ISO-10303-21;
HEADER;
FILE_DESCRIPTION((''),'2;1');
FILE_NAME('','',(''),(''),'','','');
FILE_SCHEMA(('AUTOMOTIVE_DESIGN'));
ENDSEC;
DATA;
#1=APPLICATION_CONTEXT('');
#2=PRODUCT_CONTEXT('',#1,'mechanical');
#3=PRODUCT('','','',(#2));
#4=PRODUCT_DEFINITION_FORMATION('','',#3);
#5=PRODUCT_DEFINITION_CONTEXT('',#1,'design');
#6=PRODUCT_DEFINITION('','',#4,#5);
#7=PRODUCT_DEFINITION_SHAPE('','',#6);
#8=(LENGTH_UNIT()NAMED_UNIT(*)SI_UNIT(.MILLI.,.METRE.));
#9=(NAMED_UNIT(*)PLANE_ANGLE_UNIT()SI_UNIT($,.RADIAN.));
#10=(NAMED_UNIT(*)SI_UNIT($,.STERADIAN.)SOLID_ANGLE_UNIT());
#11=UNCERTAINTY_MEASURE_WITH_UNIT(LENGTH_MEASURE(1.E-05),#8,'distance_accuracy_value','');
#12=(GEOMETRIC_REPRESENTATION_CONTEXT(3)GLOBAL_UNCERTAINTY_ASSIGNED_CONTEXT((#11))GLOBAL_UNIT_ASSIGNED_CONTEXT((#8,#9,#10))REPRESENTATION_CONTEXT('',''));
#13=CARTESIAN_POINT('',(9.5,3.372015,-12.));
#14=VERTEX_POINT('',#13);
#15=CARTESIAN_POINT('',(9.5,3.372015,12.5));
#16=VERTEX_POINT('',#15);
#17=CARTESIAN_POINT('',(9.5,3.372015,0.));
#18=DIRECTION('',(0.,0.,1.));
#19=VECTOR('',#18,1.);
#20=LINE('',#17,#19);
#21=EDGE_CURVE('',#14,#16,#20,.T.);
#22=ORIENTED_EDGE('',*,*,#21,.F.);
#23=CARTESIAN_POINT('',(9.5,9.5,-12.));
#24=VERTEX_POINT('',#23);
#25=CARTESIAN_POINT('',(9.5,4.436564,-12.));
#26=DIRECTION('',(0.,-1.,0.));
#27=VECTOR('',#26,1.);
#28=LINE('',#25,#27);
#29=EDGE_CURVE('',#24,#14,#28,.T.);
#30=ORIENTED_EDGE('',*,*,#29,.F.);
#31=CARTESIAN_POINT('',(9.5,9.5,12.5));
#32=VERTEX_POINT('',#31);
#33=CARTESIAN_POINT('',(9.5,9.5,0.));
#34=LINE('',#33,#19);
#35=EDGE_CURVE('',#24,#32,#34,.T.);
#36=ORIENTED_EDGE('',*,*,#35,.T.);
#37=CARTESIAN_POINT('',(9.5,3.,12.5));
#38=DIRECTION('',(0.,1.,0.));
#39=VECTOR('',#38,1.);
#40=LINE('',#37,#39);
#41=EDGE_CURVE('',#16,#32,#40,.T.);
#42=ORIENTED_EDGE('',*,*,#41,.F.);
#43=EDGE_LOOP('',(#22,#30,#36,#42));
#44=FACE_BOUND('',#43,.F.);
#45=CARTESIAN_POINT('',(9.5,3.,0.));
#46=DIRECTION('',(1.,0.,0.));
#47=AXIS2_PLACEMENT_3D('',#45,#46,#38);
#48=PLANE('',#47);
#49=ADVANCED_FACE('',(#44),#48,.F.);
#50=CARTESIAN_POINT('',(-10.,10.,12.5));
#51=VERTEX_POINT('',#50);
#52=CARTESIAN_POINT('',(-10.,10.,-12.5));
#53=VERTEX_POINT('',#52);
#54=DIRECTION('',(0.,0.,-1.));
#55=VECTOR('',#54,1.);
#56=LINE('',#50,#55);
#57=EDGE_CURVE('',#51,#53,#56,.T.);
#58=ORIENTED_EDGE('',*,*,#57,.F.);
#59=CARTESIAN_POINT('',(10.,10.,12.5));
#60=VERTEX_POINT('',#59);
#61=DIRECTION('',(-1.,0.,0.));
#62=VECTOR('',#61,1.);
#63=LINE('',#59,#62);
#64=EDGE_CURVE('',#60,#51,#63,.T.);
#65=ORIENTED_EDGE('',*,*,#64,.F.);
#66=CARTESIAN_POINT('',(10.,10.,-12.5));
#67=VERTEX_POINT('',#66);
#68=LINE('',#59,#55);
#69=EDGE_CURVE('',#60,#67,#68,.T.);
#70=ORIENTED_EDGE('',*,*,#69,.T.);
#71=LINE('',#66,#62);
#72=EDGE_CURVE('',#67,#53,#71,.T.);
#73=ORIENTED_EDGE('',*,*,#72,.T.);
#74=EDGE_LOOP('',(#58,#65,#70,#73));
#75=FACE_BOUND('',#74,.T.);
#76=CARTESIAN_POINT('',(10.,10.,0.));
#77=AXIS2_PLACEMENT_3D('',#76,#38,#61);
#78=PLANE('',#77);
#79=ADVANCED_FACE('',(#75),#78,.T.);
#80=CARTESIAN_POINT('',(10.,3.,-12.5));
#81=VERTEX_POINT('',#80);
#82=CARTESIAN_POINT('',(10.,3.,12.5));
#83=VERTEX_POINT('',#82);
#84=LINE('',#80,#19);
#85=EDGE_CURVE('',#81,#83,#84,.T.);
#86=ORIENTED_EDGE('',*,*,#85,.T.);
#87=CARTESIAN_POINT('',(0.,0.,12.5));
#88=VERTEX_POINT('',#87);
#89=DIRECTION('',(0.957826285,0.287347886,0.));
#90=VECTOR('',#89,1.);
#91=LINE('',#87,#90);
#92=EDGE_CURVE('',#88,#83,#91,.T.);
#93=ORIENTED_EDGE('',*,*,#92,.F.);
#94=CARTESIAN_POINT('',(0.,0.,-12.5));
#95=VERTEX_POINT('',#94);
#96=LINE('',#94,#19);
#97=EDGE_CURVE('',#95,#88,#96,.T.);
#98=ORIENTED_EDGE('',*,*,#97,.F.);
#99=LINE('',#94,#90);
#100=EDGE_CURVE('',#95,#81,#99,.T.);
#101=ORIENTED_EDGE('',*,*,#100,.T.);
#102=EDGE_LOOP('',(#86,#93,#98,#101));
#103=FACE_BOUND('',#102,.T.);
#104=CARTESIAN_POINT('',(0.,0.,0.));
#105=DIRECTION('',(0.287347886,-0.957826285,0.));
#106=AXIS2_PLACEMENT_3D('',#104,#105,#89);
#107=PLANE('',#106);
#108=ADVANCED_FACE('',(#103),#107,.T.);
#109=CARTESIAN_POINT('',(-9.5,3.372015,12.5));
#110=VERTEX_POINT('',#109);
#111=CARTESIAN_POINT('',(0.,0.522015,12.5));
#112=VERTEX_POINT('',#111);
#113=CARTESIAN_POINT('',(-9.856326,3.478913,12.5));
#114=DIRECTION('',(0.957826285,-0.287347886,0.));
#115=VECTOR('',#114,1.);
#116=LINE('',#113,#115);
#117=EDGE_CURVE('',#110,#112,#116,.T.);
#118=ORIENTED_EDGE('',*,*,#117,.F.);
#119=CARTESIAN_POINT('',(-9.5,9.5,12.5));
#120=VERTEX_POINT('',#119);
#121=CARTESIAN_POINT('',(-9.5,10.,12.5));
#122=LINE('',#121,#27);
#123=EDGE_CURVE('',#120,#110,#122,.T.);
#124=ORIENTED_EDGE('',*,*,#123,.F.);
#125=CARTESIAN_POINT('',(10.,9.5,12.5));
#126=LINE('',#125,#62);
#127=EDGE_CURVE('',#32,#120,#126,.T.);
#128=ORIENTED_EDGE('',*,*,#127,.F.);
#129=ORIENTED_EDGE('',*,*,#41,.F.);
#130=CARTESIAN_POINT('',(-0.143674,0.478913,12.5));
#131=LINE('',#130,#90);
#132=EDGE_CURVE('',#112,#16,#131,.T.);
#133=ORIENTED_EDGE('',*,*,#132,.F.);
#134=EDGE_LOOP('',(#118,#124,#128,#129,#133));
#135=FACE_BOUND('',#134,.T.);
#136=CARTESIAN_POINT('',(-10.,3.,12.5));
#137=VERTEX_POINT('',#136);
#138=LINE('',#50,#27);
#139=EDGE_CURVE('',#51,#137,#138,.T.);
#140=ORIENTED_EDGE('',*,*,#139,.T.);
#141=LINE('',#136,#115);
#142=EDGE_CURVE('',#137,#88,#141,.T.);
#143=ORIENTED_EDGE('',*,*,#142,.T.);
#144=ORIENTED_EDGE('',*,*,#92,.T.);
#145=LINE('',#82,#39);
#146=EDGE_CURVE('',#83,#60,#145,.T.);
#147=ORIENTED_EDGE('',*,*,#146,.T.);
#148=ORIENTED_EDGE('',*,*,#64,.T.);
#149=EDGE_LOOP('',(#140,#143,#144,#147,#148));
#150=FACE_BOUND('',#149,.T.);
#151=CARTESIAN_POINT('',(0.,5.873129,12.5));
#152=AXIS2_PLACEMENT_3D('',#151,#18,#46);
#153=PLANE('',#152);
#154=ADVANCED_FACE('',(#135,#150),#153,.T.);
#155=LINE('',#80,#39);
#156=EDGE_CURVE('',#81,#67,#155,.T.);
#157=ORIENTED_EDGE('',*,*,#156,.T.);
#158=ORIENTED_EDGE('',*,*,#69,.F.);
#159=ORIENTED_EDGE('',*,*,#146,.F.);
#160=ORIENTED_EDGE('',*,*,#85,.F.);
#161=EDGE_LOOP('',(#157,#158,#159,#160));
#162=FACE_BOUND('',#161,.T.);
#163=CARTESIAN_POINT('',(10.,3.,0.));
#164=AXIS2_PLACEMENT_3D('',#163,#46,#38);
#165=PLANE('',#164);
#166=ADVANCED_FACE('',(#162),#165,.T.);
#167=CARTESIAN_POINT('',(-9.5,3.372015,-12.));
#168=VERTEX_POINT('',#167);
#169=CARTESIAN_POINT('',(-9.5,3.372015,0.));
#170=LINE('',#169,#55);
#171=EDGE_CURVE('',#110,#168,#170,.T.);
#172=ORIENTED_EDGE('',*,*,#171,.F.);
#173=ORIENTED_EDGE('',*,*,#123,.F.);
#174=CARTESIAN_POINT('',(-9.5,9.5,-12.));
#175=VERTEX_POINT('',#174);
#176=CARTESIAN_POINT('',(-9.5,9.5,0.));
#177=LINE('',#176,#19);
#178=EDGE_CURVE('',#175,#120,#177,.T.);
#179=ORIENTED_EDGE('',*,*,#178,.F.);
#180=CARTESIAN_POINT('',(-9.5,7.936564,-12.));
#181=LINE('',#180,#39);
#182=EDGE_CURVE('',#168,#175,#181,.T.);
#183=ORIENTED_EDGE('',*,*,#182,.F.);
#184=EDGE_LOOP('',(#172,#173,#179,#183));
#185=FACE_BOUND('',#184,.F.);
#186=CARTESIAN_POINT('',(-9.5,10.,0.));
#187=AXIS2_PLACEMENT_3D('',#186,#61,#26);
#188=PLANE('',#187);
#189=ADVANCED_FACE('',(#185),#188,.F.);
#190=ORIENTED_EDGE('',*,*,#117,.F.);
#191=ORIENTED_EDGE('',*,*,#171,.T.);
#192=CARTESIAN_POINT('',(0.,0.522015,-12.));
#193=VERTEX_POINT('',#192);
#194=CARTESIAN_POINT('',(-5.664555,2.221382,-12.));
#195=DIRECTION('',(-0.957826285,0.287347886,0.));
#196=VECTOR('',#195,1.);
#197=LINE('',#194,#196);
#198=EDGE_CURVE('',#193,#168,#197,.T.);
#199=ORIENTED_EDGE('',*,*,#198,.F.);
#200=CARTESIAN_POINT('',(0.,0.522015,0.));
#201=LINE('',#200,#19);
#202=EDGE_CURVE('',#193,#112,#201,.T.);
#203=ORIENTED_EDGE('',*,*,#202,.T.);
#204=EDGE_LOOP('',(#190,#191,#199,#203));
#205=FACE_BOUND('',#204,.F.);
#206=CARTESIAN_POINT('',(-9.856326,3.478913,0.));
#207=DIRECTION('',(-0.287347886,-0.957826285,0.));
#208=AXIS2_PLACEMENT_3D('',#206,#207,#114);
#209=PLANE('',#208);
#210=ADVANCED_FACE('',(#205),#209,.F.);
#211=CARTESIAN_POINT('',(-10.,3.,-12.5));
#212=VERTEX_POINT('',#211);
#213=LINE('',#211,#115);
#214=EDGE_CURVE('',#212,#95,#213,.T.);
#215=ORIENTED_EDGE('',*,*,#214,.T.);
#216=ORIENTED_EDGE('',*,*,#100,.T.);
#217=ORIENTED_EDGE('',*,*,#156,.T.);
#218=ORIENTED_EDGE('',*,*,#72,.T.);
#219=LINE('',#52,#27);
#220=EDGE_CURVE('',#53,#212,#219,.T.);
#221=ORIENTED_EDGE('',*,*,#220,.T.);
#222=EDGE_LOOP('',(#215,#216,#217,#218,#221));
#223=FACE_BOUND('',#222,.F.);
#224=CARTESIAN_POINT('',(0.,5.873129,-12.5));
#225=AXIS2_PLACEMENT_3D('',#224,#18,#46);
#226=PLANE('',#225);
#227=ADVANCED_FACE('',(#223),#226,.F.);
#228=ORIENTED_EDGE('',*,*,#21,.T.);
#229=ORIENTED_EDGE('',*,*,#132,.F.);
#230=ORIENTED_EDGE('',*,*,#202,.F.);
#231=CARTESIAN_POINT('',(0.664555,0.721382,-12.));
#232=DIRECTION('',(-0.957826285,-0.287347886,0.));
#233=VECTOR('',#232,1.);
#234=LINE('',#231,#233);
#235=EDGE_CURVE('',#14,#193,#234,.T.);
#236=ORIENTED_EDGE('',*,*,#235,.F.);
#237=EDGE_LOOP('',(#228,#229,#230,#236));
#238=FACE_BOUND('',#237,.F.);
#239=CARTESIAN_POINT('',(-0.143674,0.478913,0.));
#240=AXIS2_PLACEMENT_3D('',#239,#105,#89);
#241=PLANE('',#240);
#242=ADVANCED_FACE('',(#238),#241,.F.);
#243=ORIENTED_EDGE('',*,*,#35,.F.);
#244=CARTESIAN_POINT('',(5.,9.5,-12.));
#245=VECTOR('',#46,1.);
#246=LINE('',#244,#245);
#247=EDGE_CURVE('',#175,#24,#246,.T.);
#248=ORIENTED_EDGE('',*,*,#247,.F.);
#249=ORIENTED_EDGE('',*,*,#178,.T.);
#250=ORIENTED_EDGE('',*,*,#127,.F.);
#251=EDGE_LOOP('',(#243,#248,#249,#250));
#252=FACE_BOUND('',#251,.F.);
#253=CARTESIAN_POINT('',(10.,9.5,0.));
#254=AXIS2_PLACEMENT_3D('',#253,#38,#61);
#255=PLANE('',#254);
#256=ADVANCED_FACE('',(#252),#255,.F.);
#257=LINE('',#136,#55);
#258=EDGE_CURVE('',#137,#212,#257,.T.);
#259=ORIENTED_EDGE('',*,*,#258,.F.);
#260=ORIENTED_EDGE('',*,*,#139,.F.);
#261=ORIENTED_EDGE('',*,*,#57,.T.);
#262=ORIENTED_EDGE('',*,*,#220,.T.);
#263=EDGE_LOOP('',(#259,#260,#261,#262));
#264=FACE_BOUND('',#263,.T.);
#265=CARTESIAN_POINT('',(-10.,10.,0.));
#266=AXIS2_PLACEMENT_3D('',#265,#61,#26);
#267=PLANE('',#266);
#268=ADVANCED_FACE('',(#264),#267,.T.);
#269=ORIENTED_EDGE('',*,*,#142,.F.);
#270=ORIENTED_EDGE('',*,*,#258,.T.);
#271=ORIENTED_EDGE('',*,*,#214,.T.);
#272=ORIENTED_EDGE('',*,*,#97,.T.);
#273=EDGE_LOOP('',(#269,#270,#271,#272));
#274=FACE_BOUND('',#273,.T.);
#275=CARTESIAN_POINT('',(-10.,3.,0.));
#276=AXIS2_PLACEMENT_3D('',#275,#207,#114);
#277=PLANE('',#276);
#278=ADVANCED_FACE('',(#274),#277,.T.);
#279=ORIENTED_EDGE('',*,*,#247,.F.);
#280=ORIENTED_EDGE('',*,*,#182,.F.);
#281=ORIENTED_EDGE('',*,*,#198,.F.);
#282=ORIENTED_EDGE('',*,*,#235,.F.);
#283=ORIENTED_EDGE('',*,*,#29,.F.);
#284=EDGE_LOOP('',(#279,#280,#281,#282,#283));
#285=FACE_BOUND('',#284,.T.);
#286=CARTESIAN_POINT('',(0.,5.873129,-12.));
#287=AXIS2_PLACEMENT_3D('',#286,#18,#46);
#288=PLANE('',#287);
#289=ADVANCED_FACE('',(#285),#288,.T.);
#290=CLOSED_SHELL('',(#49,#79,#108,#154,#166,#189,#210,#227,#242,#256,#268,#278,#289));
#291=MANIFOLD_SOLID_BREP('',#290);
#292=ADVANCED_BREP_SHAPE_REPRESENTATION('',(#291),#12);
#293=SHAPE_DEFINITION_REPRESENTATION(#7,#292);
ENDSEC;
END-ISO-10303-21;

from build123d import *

# Parameters (mm, degrees)
F1_DEPTH = 12.5
F2_T     = -0.5


with BuildPart() as f1:
    # F0 (on Top) → F1 (new body, symmetric)
    with BuildSketch(Plane.XY):
        Polygon((-10, 3), (0, 0), (10, 3), (10, 10), (-10, 10), align=None)
    extrude(amount=F1_DEPTH, both=True)

    # F2
    f2_openings = [f1.faces().sort_by_distance(p)[0] for p in [
        (0, 5.705882, 12.5),
    ]]
    offset(amount=F2_T, openings=f2_openings)


solid = f1.part
